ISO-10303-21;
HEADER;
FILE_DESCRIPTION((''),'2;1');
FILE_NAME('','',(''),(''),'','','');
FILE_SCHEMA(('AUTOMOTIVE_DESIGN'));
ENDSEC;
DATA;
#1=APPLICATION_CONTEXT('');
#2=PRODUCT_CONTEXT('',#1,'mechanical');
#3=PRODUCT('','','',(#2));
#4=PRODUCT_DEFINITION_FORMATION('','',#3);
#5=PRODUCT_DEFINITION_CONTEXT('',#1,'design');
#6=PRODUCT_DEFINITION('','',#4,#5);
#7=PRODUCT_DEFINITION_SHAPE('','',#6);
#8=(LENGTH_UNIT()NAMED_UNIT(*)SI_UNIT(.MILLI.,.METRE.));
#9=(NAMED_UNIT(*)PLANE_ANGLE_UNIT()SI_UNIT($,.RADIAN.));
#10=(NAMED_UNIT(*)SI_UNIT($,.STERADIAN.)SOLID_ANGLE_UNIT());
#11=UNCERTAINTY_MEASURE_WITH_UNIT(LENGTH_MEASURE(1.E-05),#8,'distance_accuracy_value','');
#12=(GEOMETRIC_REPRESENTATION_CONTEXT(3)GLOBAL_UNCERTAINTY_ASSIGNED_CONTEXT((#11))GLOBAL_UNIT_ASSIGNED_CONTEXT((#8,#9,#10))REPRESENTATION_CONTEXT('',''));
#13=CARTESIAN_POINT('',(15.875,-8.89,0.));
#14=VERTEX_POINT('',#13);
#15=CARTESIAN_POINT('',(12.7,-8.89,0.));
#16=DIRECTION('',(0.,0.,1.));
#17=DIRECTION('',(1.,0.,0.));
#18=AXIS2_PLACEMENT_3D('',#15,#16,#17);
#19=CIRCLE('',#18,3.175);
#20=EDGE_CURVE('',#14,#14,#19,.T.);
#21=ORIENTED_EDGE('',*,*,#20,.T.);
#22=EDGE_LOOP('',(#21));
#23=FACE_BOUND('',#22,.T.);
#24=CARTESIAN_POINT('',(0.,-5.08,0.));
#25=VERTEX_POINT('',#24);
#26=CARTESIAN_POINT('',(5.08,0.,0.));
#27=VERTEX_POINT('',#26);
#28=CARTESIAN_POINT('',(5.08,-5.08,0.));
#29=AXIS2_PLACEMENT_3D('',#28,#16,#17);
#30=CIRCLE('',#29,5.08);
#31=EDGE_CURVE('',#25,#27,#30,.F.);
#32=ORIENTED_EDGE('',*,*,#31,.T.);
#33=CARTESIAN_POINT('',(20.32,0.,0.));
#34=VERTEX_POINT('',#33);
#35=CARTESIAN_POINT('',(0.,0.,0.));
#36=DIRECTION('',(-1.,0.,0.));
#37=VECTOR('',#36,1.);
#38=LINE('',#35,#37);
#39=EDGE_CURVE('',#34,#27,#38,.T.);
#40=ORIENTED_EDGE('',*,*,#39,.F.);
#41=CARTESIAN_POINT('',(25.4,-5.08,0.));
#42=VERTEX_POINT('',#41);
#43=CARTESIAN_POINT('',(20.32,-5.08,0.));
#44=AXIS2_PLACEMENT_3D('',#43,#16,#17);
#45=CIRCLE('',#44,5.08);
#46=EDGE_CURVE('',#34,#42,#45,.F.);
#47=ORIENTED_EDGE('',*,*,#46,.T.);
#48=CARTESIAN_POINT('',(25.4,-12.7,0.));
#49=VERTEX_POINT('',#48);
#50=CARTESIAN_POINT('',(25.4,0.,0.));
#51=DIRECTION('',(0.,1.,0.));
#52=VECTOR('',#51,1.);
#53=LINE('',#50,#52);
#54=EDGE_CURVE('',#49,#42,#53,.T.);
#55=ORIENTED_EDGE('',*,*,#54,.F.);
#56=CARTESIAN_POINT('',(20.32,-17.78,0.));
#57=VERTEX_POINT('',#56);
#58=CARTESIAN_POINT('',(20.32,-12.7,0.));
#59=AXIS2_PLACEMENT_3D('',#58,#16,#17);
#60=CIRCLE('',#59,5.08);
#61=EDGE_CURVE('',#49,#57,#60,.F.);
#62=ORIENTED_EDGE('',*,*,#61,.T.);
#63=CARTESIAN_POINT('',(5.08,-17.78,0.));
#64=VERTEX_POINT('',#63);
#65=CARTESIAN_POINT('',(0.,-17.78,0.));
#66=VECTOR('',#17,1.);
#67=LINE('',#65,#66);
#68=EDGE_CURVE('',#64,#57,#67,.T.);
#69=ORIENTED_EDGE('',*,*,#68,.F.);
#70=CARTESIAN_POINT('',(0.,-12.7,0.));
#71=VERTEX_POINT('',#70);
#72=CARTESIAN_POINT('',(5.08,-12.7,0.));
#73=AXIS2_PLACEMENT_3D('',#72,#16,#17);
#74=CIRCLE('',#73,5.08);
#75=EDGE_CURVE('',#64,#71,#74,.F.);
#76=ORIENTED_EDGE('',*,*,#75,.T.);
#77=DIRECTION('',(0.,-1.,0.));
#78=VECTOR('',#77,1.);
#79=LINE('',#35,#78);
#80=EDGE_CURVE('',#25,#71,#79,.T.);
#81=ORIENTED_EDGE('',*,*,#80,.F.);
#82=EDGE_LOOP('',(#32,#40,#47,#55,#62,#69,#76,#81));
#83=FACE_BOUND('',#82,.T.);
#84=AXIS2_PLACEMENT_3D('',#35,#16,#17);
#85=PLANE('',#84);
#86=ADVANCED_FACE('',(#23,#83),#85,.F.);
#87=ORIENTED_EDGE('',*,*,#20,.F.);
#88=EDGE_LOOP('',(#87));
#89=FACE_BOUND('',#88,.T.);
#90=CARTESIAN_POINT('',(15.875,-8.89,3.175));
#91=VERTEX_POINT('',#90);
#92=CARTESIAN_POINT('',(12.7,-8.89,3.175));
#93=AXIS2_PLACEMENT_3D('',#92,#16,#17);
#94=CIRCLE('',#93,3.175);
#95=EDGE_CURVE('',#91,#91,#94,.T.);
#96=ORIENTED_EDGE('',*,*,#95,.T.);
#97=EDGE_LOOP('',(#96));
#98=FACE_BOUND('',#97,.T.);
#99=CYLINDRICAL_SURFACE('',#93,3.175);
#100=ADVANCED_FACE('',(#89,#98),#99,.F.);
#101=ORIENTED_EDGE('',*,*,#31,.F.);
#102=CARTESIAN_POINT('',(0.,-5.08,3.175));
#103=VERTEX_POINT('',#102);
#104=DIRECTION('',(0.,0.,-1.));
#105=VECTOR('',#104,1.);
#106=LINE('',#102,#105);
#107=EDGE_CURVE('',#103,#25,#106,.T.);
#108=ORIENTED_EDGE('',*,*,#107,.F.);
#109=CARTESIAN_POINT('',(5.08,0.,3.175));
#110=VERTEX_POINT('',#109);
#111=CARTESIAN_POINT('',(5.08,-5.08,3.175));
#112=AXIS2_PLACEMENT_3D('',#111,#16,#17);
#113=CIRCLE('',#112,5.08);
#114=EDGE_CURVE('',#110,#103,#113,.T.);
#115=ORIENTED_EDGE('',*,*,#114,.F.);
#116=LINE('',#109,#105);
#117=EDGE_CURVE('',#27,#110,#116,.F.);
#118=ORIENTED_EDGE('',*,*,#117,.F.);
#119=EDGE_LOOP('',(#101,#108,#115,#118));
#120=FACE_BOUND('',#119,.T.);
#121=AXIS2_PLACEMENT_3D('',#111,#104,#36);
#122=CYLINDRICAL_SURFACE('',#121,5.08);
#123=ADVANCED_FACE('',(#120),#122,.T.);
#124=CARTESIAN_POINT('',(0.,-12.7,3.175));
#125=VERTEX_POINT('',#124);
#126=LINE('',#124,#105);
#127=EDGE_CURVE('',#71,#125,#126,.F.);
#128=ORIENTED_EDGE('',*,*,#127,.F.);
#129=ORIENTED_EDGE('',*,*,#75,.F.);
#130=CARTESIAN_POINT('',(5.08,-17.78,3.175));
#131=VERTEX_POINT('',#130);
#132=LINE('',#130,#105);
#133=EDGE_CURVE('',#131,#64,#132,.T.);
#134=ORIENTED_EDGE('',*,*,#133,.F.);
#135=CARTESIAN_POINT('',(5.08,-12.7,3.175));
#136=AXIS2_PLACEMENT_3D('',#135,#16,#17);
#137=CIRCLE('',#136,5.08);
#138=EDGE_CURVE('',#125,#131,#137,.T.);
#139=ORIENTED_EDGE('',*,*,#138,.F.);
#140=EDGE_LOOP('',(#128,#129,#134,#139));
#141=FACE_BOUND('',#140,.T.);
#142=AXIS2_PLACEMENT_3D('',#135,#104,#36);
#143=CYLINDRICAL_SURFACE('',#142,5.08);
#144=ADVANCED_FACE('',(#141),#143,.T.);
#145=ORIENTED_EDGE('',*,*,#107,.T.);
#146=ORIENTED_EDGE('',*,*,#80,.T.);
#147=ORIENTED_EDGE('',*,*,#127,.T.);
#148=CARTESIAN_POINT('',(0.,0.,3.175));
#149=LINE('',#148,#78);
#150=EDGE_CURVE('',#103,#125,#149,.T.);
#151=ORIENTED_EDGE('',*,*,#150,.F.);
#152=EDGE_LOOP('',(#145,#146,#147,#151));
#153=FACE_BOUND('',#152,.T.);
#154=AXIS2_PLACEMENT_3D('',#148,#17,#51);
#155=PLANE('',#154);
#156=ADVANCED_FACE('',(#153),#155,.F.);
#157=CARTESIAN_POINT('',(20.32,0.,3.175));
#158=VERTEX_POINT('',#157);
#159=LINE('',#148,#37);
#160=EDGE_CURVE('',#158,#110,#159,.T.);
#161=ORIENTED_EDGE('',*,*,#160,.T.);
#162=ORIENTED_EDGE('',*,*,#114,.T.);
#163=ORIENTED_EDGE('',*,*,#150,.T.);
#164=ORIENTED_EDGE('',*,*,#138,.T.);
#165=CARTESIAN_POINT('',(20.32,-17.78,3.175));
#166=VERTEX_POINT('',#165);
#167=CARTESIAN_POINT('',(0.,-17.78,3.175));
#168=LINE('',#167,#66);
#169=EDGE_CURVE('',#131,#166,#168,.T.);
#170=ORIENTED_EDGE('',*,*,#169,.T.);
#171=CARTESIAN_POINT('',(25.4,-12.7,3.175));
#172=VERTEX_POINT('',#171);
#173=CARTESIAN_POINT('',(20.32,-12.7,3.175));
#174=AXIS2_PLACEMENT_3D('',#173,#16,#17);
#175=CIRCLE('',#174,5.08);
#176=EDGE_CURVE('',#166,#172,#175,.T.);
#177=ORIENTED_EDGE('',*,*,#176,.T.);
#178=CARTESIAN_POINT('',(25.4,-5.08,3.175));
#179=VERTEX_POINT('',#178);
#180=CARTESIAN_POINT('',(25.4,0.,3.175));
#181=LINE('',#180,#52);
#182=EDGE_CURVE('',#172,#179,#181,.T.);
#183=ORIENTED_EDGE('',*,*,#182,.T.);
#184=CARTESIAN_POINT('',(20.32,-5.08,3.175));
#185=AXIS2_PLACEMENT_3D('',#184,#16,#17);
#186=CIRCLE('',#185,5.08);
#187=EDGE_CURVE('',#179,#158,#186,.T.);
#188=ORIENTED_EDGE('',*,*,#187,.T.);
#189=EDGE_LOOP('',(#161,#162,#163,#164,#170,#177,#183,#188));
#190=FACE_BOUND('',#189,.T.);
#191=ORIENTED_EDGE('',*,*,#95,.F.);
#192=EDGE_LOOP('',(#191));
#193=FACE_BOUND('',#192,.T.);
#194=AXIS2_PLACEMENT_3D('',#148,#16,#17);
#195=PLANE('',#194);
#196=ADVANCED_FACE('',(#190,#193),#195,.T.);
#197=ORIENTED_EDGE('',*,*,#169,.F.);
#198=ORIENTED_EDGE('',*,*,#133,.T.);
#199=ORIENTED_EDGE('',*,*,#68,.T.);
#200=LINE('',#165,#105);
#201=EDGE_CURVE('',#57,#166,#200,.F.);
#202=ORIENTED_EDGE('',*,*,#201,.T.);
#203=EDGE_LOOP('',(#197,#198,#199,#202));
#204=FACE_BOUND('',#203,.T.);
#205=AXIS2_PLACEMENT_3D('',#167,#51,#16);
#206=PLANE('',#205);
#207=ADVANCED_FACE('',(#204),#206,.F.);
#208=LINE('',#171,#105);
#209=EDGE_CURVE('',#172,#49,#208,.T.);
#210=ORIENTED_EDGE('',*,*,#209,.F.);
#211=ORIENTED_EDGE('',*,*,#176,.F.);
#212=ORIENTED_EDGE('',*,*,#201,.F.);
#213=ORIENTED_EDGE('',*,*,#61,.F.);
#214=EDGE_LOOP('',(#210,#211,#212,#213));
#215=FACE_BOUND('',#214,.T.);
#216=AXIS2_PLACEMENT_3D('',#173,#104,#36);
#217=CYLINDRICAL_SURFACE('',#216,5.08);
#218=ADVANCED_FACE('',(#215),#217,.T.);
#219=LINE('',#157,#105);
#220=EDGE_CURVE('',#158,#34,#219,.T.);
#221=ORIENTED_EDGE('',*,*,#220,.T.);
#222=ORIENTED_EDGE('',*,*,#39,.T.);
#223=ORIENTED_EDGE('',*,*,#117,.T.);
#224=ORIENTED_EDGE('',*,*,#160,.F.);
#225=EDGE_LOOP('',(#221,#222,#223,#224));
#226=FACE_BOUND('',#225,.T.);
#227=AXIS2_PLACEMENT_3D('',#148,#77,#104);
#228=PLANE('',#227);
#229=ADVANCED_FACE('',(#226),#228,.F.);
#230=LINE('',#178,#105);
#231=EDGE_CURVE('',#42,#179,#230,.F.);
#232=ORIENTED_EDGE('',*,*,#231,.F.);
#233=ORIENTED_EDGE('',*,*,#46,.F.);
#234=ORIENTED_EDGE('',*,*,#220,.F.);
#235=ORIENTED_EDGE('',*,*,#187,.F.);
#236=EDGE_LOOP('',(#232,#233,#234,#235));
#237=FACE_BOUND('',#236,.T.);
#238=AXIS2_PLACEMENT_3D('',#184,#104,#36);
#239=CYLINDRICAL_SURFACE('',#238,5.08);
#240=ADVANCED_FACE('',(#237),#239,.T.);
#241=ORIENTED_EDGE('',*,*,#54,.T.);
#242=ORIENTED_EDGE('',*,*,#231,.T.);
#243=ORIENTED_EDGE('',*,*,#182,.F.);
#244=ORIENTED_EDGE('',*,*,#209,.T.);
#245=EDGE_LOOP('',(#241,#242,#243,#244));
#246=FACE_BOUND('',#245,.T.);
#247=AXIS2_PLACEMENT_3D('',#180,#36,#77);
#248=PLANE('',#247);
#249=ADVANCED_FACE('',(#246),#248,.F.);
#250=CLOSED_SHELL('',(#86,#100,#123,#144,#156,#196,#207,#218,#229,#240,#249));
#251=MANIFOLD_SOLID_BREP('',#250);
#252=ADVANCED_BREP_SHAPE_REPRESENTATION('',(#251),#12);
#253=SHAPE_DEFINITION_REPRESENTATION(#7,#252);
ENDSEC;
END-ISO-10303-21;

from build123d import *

# Parameters (mm, degrees)
SKETCH1_W           = 25.4
SKETCH1_H           = 17.78
BOSS_EXTRUDE1_DEPTH = 3.175
HOLE1_D             = 6.35
FILLET1_R           = 5.08


with BuildPart() as part:
    # Sketch1 → Boss-Extrude1 (new body)
    with BuildSketch(Plane.XY):
        with Locations((12.7, -8.89)):
            Rectangle(SKETCH1_W, SKETCH1_H)
    extrude(amount=BOSS_EXTRUDE1_DEPTH)

    # Hole1 (through all)
    with Locations(Plane.XY.offset(3.175)):
        with Locations((12.7, -8.89)):
            Hole(HOLE1_D / 2)

    # Fillet1
    fillet1_edges = [part.edges().sort_by_distance(p)[0] for p in [
        (0, 0, 1.5875),
        (25.4, 0, 1.5875),
        (25.4, -17.78, 1.5875),
        (0, -17.78, 1.5875),
    ]]
    fillet(fillet1_edges, radius=FILLET1_R)


solid = part.part
